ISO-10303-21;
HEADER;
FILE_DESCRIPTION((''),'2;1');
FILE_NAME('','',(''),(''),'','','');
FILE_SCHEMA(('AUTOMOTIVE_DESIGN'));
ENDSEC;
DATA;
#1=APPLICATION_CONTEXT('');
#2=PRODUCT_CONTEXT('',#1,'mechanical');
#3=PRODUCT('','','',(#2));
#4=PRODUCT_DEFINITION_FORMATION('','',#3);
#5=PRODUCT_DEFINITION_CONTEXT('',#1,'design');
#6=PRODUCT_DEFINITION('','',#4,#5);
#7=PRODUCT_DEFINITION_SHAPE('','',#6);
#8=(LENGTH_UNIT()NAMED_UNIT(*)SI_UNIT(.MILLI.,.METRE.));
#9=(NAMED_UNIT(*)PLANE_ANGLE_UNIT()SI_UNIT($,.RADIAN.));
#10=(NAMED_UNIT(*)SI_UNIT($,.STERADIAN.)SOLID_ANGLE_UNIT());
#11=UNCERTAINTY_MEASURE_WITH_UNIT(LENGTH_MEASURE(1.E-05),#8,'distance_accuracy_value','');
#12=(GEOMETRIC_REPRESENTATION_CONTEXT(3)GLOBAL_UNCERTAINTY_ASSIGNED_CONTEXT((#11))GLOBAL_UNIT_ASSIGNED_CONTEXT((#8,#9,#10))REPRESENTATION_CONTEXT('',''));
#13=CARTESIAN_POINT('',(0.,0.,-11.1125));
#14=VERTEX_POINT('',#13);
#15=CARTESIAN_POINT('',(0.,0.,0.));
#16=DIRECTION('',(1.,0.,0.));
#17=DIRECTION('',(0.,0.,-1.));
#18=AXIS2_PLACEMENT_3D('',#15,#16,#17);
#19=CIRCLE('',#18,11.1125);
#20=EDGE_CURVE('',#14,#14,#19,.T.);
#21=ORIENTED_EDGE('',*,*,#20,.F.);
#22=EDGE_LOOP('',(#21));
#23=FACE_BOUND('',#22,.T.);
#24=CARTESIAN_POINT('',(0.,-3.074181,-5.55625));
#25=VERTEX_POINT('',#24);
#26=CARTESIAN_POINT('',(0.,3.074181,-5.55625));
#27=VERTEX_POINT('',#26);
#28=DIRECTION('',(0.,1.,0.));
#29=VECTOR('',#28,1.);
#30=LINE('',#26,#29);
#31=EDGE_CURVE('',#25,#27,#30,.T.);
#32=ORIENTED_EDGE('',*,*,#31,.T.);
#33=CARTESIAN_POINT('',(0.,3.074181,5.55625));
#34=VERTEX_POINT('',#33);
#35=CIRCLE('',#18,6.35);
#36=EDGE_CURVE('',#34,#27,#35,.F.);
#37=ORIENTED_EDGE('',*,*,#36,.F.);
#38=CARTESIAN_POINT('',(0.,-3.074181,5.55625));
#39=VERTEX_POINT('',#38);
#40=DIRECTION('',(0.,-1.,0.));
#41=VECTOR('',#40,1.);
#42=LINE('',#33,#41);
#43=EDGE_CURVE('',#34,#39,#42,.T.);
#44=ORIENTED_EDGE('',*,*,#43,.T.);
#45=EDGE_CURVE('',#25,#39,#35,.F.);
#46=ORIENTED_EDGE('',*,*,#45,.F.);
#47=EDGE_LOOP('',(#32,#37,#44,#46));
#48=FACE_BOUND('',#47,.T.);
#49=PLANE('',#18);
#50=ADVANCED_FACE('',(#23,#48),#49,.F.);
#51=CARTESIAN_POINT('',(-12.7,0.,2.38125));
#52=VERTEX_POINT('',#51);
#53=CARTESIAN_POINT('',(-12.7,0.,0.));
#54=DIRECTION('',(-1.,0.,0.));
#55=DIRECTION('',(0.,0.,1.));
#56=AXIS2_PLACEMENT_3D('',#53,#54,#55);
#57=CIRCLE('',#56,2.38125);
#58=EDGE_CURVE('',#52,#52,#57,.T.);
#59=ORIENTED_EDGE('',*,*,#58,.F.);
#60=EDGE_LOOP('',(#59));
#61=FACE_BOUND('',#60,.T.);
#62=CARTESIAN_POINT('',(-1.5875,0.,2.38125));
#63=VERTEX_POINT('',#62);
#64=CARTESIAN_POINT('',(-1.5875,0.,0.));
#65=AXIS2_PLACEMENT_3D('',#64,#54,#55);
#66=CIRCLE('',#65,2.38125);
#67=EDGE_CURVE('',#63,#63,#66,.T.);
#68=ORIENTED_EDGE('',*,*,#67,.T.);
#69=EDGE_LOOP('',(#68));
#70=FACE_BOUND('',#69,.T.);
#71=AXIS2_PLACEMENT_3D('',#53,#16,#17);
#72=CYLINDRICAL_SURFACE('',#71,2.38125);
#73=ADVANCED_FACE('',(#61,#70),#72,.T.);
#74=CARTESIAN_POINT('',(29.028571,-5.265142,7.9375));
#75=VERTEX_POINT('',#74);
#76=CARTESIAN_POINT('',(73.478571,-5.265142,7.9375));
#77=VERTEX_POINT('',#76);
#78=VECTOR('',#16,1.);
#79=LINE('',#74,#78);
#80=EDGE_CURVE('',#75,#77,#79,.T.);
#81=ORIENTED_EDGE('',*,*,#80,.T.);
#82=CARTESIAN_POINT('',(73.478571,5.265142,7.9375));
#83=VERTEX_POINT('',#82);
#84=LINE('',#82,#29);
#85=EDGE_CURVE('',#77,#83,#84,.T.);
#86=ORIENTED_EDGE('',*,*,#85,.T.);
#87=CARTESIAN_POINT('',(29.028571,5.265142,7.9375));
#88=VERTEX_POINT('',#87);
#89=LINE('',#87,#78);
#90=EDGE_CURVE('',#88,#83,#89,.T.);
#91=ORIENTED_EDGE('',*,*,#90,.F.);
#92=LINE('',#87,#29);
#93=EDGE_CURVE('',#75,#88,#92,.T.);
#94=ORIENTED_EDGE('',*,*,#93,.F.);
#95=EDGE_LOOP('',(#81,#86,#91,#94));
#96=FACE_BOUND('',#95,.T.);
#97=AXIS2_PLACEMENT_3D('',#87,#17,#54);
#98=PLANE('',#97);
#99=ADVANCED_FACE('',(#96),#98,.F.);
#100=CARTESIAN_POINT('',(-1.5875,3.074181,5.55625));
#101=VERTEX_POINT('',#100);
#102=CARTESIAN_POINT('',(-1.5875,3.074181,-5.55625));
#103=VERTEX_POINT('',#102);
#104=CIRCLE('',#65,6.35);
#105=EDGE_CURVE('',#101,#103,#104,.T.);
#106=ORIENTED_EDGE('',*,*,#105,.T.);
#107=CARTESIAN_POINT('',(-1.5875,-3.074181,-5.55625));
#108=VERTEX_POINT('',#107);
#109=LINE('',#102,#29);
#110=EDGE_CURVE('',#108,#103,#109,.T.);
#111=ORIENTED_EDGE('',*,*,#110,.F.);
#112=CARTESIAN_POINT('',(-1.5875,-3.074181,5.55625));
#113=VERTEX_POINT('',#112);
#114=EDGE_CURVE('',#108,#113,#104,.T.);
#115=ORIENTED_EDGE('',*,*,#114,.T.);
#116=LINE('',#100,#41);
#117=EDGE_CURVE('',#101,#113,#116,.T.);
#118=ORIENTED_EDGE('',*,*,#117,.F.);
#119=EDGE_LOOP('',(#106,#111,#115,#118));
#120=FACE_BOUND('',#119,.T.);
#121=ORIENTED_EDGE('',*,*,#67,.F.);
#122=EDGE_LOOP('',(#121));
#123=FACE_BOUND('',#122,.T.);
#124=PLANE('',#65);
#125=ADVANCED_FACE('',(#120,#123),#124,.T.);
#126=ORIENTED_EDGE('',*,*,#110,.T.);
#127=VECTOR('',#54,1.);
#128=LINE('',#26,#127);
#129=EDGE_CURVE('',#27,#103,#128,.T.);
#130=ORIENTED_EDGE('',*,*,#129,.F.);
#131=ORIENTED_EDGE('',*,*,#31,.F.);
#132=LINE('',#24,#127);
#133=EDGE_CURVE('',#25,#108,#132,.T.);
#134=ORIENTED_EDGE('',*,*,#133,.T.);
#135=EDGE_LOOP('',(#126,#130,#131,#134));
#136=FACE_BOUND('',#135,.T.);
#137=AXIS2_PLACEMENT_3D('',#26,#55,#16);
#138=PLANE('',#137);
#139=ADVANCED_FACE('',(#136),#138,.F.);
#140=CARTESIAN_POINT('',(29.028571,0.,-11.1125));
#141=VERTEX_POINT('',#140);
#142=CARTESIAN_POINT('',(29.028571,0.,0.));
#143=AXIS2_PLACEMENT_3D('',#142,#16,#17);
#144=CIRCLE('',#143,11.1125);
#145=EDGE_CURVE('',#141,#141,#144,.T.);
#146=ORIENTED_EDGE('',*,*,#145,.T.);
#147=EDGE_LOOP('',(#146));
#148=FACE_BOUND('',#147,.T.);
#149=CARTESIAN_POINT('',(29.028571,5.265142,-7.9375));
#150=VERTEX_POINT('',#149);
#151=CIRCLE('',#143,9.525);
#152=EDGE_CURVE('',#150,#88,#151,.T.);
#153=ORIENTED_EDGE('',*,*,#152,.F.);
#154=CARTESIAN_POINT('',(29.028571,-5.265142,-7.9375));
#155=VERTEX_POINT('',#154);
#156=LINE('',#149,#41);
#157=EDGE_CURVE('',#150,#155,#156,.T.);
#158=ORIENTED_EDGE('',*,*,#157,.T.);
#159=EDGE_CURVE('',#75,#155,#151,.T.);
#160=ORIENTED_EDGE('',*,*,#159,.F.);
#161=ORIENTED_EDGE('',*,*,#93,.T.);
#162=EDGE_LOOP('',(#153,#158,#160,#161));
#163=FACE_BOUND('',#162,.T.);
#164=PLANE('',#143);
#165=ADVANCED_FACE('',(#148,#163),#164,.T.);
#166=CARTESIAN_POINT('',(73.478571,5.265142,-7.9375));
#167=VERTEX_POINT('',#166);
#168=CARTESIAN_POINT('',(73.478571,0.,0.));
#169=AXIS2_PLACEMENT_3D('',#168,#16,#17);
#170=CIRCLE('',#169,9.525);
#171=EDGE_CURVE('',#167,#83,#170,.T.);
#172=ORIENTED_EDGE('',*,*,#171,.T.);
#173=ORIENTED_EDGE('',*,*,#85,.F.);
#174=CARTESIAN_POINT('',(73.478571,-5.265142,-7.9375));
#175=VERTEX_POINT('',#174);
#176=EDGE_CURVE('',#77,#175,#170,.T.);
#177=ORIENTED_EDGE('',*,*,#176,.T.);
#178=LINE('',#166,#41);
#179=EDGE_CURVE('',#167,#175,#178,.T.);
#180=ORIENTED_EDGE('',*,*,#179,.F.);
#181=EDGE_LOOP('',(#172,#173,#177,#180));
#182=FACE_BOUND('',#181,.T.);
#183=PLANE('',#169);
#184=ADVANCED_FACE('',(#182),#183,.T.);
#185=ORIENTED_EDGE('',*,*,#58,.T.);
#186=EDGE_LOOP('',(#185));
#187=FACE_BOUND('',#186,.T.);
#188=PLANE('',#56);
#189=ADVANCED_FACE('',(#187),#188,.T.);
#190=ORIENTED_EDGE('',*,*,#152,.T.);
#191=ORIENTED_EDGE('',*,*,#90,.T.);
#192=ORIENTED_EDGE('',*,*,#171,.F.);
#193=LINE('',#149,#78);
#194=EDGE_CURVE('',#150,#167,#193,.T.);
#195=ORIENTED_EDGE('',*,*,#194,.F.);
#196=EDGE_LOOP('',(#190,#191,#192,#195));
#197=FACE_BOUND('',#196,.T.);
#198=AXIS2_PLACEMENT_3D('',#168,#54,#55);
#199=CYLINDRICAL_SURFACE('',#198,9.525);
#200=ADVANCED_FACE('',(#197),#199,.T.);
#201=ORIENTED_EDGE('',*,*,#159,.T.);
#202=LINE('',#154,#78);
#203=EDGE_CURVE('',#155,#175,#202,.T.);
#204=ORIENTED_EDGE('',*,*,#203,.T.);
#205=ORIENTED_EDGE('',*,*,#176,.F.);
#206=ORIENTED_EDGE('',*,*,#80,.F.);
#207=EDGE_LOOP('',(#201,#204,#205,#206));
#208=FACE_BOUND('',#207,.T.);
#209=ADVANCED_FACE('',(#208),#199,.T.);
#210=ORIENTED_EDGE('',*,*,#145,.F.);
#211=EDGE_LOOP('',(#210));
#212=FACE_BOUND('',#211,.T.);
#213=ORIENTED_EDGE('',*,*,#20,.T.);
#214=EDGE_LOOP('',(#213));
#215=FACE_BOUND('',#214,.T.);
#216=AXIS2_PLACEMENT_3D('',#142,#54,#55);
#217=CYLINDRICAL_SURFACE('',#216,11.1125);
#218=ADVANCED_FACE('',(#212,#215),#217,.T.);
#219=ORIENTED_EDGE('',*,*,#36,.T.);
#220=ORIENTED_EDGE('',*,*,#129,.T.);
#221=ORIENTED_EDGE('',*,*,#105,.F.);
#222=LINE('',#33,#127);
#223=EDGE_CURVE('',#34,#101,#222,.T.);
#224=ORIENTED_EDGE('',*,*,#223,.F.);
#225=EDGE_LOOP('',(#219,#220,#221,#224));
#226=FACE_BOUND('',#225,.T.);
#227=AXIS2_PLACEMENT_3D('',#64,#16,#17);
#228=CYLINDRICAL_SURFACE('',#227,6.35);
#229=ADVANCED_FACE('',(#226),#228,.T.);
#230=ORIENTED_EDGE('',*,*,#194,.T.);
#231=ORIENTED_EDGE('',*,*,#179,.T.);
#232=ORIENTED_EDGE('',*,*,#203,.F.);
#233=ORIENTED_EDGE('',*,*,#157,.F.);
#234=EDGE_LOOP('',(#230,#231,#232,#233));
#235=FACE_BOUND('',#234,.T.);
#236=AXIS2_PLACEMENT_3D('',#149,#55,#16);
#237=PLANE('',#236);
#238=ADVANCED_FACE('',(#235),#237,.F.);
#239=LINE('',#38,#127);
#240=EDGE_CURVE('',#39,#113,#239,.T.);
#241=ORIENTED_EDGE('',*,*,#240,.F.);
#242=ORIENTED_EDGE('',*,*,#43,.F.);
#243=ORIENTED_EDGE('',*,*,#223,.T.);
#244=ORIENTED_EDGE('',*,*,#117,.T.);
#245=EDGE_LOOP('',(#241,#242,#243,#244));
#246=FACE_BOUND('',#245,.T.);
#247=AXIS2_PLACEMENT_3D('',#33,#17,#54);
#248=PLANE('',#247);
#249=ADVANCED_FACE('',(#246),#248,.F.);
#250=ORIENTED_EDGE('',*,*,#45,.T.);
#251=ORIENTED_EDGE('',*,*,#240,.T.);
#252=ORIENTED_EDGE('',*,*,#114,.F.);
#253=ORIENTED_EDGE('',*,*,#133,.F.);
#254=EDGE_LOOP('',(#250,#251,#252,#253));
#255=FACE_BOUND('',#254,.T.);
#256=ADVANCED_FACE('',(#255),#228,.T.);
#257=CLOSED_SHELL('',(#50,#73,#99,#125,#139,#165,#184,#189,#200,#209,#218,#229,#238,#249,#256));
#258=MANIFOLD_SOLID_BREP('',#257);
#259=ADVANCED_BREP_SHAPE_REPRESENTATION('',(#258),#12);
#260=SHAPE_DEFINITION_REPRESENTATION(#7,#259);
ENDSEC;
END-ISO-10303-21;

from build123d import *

# Parameters (mm, degrees)
SKETCH1_R           = 11.1125
BOSS_EXTRUDE1_DEPTH = 29.028571429
SKETCH2_R           = 9.525
BOSS_EXTRUDE2_DEPTH = 44.45
SKETCH3_W           = 2.553411187
SKETCH3_H           = 10.53028371
SKETCH3_W_2         = 2.754606744
CUT_EXTRUDE1_DEPTH  = 44.45
SKETCH4_R           = 6.35
BOSS_EXTRUDE3_DEPTH = 1.5875
SKETCH5_W           = 1.859243387
SKETCH5_H           = 6.148361062
SKETCH5_W_2         = 2.232892279
CUT_EXTRUDE2_DEPTH  = 1.5875
SKETCH6_R           = 2.38125
BOSS_EXTRUDE4_DEPTH = 11.1125


with BuildPart() as part:
    # Sketch1 → Boss-Extrude1 (new body)
    with BuildSketch(Plane(origin=(0, 0, 0), x_dir=(0, 0, -1), z_dir=(1, 0, 0))):
        Circle(SKETCH1_R)
    extrude(amount=BOSS_EXTRUDE1_DEPTH)

    # Sketch2 → Boss-Extrude2 (add)
    with BuildSketch(Plane(origin=(29.028571429, 0, 0), x_dir=(0, 0, -1), z_dir=(1, 0, 0))):
        Circle(SKETCH2_R)
    extrude(amount=BOSS_EXTRUDE2_DEPTH)

    # Sketch3 → Cut-Extrude1 (cut)
    with BuildSketch(Plane(origin=(73.478571429, 0, 0), x_dir=(0, 0, -1), z_dir=(1, 0, 0))):
        with Locations((-9.214205594, 0)):
            Rectangle(SKETCH3_W, SKETCH3_H)
        with Locations((9.314803372, 0)):
            Rectangle(SKETCH3_W_2, SKETCH3_H)
    extrude(amount=-CUT_EXTRUDE1_DEPTH, mode=Mode.SUBTRACT)

    # Sketch4 → Boss-Extrude3 (add)
    with BuildSketch(Plane.ZY):
        Circle(SKETCH4_R)
    extrude(amount=BOSS_EXTRUDE3_DEPTH)

    # Sketch5 → Cut-Extrude2 (cut)
    with BuildSketch(Plane.ZY.offset(1.5875)):
        with Locations((-6.485871694, 0)):
            Rectangle(SKETCH5_W, SKETCH5_H)
        with Locations((6.67269614, 0)):
            Rectangle(SKETCH5_W_2, SKETCH5_H)
    extrude(amount=-CUT_EXTRUDE2_DEPTH, mode=Mode.SUBTRACT)

    # Sketch6 → Boss-Extrude4 (add)
    with BuildSketch(Plane.ZY.offset(1.5875)):
        Circle(SKETCH6_R)
    extrude(amount=BOSS_EXTRUDE4_DEPTH)


solid = part.part
